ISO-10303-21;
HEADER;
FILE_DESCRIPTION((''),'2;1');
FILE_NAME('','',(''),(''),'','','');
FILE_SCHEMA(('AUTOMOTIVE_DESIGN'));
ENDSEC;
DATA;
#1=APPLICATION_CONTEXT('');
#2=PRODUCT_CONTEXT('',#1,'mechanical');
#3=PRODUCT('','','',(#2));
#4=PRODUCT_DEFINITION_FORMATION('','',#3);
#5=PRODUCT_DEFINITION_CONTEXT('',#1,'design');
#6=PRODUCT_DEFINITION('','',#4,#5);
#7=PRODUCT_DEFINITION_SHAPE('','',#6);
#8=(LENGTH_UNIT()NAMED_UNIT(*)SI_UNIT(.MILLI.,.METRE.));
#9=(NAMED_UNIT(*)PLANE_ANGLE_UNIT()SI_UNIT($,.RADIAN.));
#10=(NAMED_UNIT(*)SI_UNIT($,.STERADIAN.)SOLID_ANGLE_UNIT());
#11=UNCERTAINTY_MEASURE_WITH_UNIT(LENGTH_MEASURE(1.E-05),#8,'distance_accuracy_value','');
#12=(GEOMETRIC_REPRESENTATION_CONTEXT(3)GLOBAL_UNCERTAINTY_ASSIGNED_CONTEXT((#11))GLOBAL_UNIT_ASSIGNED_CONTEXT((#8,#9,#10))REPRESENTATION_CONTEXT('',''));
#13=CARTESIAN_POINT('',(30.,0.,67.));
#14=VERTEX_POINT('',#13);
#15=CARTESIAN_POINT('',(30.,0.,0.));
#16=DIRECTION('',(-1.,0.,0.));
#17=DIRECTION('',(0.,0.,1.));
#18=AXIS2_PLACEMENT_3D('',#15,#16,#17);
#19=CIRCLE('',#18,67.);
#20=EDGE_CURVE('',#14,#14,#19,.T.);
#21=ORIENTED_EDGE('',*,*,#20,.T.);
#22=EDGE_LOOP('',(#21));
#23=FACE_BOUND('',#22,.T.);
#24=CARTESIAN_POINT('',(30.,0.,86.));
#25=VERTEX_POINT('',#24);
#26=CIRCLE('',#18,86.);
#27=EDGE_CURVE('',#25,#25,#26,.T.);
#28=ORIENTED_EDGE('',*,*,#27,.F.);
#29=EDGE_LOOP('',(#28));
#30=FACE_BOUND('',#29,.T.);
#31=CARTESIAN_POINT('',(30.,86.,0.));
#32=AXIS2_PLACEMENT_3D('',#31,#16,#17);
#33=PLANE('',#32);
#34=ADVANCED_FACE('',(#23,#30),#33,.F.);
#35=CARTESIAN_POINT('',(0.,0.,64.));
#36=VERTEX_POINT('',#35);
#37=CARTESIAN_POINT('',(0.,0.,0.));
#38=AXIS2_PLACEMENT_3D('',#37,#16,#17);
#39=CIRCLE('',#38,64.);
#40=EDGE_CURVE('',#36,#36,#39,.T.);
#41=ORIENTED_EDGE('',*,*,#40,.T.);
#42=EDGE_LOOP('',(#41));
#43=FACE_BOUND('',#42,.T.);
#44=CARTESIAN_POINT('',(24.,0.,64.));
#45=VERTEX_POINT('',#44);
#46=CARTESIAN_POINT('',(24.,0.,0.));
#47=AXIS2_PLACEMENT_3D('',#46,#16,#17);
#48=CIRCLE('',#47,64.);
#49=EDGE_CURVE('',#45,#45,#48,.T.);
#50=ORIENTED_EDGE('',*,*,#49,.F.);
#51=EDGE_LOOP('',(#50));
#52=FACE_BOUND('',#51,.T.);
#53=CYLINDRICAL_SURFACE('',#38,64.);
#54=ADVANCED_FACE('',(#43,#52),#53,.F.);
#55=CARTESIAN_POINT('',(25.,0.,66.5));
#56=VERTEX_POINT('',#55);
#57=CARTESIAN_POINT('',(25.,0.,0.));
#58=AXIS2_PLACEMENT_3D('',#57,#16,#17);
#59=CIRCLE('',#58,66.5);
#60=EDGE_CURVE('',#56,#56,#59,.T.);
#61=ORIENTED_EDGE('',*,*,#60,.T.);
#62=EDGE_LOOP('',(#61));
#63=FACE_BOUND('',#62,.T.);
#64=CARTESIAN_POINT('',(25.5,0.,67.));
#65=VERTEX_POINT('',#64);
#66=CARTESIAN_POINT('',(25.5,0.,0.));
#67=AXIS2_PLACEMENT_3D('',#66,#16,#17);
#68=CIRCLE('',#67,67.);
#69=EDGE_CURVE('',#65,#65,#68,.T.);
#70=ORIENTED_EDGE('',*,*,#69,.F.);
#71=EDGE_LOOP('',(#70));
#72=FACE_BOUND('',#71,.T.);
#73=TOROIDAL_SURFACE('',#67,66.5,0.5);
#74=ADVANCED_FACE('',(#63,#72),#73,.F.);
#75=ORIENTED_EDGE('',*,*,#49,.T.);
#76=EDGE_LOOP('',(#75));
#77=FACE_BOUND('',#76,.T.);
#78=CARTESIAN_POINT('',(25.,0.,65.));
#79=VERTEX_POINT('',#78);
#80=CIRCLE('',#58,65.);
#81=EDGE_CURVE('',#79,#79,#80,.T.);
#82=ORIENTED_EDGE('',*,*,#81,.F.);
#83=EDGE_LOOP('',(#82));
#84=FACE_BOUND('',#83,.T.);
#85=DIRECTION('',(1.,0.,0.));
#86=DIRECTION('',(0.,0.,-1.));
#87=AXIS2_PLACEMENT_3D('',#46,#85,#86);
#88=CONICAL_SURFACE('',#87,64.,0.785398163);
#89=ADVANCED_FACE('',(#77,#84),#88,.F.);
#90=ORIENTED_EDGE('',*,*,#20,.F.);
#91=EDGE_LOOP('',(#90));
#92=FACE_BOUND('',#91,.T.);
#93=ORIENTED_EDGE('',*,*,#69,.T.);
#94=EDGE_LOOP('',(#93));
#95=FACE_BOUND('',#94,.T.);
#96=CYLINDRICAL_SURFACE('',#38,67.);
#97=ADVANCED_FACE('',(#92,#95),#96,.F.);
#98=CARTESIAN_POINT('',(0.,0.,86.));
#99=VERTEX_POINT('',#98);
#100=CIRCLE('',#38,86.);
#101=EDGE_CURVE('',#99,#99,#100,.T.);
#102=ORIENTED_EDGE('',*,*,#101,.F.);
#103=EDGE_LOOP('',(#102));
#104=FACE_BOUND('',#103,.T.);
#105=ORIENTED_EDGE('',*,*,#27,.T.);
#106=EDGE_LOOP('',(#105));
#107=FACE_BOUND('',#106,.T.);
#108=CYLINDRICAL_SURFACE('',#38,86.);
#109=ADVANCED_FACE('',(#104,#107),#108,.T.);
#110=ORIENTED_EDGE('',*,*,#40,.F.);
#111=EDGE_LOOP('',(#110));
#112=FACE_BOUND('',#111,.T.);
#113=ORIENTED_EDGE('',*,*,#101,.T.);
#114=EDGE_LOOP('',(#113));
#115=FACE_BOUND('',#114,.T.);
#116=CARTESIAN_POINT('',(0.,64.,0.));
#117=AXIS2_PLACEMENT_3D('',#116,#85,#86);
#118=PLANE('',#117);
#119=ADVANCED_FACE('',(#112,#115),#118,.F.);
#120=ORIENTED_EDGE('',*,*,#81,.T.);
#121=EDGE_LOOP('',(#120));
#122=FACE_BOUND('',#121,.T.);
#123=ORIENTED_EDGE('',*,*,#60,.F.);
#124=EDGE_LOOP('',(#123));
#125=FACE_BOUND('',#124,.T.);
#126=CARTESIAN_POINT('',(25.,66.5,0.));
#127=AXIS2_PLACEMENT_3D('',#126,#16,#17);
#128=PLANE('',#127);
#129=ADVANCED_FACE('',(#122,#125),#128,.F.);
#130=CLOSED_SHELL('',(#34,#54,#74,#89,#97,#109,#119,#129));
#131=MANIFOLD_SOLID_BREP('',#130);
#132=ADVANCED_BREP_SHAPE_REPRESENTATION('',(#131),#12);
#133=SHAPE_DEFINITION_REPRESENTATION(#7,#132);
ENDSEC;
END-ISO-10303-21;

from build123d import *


with BuildPart() as part:
    # Эскиз1 → Повернуть1 (revolve)
    with BuildSketch(Plane.XY, mode=Mode.PRIVATE) as revolve_1_sk:
        with BuildLine():
            Line((0, 64), (0, 86))
            Line((0, 86), (30, 86))
            Line((30, 86), (30, 67))
            Line((30, 67), (25.5, 67))
            ThreePointArc((25.5, 67), (25.146446609, 66.853553391), (25, 66.5))
            Line((25, 66.5), (25, 65))
            Line((25, 65), (24, 64))
            Line((24, 64), (0, 64))
        make_face()
    revolve(revolve_1_sk.sketch.rotate(Axis((0, 0, 0), (1, 0, 0)), 90), axis=Axis((0, 0, 0), (1, 0, 0)))


solid = part.part
